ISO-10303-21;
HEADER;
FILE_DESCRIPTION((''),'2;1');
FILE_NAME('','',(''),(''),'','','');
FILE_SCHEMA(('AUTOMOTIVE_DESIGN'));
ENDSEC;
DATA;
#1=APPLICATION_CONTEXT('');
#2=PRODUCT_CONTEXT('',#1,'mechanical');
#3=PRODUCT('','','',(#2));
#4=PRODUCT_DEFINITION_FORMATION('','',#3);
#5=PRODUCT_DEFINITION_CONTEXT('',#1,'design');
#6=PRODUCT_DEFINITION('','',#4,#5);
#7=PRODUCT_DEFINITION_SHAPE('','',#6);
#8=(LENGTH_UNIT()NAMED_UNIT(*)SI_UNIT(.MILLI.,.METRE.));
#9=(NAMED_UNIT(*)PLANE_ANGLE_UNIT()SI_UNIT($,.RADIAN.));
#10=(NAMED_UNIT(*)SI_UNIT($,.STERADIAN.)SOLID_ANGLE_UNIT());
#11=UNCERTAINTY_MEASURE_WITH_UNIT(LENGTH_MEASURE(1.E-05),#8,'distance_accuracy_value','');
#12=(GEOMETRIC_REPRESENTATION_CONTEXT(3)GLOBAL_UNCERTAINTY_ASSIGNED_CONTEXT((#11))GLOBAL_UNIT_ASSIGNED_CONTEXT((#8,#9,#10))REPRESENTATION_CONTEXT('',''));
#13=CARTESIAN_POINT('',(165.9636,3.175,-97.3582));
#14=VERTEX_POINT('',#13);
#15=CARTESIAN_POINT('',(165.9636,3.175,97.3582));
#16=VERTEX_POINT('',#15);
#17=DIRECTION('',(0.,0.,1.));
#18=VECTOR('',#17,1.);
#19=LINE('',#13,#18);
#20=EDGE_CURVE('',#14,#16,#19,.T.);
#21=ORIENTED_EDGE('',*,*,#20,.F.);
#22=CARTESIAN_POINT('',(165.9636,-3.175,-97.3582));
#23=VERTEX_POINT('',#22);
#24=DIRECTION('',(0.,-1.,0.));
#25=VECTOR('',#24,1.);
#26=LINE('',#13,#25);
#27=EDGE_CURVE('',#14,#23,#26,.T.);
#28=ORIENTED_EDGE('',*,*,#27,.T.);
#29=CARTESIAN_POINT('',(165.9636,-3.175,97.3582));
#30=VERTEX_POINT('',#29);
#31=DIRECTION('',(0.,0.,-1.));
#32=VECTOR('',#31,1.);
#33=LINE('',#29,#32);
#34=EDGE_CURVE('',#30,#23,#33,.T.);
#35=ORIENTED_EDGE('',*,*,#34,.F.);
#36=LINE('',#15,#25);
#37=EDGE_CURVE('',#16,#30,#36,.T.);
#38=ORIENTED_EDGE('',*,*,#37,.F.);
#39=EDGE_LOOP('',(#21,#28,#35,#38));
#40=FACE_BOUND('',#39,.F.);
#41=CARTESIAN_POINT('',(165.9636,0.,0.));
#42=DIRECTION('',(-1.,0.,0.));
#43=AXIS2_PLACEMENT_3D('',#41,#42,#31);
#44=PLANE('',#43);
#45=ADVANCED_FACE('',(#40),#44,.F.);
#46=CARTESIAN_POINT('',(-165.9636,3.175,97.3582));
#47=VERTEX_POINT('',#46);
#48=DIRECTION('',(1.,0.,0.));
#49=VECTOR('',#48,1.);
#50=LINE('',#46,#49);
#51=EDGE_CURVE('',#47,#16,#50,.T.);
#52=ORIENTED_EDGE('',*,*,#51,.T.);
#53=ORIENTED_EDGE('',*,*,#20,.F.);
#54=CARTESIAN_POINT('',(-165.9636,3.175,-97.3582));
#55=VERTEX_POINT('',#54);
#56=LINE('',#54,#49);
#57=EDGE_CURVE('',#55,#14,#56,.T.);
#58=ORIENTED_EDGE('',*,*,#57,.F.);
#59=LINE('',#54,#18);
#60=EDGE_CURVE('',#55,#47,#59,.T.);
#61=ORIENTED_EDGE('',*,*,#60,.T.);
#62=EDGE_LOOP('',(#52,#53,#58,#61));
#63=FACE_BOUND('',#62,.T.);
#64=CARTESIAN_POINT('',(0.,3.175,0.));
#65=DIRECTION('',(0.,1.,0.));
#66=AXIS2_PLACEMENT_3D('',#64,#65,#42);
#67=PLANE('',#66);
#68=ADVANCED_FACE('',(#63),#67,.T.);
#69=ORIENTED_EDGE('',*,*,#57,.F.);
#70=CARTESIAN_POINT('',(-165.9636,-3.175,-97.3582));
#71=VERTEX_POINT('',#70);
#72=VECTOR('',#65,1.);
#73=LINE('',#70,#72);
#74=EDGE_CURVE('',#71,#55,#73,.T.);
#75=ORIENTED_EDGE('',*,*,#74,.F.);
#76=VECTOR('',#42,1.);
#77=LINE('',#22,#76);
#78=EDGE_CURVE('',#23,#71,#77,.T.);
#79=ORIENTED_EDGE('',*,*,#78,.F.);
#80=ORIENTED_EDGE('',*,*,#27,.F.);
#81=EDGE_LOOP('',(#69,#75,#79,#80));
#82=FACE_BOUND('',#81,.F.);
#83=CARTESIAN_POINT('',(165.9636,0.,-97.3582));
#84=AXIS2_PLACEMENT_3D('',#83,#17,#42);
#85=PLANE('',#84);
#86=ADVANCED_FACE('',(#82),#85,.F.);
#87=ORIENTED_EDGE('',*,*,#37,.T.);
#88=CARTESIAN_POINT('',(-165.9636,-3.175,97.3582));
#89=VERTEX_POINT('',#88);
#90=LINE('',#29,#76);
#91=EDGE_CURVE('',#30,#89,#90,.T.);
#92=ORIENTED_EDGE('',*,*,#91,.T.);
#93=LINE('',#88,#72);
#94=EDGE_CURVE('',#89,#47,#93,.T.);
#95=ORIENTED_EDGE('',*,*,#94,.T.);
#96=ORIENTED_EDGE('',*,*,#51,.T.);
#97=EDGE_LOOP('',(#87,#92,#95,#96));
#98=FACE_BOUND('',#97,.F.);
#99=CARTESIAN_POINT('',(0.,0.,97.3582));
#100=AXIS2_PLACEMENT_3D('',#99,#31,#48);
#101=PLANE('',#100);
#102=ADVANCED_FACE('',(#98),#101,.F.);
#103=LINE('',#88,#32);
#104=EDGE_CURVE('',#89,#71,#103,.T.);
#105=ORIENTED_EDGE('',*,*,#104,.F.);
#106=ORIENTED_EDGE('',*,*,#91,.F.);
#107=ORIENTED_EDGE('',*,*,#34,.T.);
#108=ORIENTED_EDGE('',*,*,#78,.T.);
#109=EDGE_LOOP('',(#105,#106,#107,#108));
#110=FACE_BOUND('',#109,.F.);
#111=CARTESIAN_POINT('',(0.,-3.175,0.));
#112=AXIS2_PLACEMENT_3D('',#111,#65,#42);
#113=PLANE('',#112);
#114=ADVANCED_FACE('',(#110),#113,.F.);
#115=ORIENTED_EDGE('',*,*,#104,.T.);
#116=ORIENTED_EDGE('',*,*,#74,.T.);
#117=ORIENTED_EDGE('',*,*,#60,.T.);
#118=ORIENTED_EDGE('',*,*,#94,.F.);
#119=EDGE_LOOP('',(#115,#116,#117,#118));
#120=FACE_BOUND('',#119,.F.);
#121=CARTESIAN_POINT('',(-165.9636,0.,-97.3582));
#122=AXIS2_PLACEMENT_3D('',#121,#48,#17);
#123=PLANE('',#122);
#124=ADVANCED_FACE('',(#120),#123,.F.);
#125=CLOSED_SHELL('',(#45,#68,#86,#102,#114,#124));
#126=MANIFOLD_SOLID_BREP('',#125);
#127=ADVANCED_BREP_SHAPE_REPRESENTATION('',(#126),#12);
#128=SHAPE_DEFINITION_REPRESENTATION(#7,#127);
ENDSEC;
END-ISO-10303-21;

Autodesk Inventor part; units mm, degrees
ref_plane "YZ Plane" through (0, 0, 0) normal (1, 0, 0) x (0, 1, 0)
ref_plane "XZ Plane" through (0, 0, 0) normal (0, 1, 0) x (-1, 0, 0)
ref_plane "XY Plane" through (0, 0, 0) normal (0, 0, 1) x (1, 0, 0)
sketch "Sketch1" plane through (0, 0, 0) normal (0, 1, 0) x (-1, 0, 0)
  line L0 (0, -136.3015) -> (0, 136.3015) projected
  line L1 (-232.349, 0) -> (232.349, 0) projected
  line L2 (165.9636, 97.3582) -> (-165.9636, 97.3582)
  line L3 (-165.9636, 97.3582) -> (-165.9636, -97.3582)
  line L4 (-165.9636, -97.3582) -> (165.9636, -97.3582)
  line L5 (165.9636, -97.3582) -> (165.9636, 97.3582)
  point P0 (0, 0)
  dimension "d0" = 331.9272
  dimension "d1" = 194.7164
extrude "Extrusion1" add sketch "Sketch1" along normal mid plane 6.35
properties part number "TheLid"
